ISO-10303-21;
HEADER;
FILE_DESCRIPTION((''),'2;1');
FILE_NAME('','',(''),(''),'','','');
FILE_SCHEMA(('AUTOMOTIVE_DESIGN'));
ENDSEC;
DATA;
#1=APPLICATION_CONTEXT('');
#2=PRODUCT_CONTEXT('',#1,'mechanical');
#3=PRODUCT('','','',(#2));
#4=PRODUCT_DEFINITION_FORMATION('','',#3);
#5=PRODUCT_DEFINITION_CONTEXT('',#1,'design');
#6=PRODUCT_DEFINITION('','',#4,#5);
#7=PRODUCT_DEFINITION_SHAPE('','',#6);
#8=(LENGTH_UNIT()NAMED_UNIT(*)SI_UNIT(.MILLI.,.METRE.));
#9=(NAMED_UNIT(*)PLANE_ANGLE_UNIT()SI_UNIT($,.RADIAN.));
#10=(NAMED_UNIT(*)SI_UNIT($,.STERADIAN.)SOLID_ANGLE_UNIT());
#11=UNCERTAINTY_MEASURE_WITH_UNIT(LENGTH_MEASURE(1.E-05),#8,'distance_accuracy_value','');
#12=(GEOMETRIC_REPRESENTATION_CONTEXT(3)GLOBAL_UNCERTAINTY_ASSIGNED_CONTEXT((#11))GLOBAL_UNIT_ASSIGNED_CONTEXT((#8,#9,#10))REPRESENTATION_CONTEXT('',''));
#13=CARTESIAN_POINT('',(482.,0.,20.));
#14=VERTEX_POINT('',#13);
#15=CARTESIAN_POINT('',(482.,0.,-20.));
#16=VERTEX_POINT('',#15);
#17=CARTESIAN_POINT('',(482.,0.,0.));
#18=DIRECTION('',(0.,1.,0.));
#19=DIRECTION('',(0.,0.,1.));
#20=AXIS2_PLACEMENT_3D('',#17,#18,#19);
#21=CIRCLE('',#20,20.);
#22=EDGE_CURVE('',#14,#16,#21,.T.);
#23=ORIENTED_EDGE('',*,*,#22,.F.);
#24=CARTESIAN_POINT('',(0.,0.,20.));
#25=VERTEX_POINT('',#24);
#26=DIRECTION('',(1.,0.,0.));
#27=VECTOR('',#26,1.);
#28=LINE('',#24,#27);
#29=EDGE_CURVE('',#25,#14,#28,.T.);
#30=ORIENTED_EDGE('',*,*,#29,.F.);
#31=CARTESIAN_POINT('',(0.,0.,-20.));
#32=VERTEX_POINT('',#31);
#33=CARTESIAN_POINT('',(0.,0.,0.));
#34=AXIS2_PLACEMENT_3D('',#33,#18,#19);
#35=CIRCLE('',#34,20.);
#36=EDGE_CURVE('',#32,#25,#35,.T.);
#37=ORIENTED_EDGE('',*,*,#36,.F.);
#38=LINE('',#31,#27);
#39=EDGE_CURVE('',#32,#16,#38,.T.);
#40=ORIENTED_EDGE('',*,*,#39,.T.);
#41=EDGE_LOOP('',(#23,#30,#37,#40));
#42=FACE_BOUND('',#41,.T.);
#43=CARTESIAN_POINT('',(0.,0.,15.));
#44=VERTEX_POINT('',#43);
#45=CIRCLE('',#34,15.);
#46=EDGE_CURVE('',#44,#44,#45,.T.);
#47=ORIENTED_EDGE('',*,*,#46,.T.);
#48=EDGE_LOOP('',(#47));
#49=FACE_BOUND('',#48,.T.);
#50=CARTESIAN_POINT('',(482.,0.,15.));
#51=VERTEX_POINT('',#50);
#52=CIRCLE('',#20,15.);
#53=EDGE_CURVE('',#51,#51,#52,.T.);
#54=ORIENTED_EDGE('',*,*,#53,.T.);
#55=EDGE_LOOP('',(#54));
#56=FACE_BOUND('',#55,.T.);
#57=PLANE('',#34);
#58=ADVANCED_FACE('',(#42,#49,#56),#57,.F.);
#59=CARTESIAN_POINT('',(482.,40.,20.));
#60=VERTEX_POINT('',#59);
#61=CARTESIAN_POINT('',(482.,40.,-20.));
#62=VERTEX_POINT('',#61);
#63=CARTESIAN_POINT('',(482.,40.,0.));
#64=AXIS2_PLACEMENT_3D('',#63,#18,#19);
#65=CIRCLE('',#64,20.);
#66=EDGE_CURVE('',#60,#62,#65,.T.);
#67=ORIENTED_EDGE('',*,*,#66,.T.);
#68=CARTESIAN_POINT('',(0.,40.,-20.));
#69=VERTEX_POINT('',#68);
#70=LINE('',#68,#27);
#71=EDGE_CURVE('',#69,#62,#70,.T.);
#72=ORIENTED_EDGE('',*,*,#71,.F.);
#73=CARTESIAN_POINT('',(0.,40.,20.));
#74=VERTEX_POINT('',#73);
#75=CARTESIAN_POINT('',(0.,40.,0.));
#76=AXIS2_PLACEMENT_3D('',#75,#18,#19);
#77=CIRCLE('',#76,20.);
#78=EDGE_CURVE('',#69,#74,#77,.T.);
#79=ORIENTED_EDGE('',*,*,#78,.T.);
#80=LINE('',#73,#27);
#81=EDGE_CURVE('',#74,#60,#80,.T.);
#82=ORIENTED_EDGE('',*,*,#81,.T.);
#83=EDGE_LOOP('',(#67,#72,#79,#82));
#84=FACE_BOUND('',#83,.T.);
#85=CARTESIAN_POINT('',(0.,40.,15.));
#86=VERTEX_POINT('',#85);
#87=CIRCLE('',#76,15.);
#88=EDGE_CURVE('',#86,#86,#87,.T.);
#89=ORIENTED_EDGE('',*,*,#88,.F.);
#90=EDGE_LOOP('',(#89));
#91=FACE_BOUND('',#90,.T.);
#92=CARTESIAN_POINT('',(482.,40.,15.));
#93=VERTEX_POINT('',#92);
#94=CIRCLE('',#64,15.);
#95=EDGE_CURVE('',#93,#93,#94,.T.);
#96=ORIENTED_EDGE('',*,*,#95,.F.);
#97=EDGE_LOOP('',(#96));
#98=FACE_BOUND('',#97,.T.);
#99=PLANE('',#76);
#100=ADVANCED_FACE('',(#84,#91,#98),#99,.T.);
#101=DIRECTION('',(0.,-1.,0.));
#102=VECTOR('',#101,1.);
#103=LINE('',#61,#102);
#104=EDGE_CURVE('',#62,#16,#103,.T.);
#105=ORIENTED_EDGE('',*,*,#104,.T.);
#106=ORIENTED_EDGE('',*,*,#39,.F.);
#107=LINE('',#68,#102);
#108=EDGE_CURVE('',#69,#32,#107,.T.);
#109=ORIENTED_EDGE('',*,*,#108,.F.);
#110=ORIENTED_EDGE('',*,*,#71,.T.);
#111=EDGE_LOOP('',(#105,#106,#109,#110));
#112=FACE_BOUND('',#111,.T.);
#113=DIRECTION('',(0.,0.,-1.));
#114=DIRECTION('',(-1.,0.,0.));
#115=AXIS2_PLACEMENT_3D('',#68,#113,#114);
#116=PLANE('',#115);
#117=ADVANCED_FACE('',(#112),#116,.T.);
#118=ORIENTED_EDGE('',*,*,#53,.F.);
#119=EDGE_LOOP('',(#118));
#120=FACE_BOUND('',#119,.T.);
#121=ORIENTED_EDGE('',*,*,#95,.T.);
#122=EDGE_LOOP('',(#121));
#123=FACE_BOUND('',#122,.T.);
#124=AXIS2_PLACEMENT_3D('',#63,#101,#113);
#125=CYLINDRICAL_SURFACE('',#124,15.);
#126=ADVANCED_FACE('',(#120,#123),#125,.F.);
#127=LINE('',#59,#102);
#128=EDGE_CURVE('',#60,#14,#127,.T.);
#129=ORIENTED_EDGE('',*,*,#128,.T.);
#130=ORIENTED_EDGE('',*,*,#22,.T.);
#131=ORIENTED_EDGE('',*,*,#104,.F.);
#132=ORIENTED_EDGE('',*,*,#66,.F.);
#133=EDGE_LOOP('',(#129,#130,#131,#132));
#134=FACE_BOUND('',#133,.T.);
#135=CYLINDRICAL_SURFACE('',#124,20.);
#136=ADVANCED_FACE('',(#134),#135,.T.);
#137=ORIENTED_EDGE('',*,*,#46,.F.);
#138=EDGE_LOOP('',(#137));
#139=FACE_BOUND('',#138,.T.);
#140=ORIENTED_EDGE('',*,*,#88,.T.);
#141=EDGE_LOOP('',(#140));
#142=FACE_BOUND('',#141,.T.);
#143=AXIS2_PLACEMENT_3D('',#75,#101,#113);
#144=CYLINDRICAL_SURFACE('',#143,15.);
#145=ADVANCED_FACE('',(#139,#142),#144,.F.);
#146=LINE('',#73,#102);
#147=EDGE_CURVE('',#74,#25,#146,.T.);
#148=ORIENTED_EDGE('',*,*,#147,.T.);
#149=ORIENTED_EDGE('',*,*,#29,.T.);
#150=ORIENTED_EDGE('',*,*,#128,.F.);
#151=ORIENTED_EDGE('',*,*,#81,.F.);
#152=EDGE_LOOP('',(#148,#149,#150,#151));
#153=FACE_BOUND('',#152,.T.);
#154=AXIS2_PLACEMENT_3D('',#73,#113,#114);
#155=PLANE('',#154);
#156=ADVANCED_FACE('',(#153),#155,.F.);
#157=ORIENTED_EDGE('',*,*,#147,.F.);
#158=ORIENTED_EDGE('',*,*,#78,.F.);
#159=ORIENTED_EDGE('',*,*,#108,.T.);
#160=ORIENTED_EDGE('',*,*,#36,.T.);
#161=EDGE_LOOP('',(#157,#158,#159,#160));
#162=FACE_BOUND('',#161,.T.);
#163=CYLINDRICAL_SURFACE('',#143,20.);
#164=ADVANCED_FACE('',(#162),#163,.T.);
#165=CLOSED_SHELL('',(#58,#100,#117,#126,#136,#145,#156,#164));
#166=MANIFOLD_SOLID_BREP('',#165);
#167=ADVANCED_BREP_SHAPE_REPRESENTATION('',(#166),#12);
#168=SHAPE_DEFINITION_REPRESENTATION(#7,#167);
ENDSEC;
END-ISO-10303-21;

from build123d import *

# Parameters (mm, degrees)
SKETCH_1_R      = 15
EXTRUDE_1_DEPTH = 40


with BuildPart() as part:
    # 草图1 → 凸台-拉伸1 (new body)
    with BuildSketch(Plane(origin=(0, 0, 0), x_dir=(1, 0, 0), z_dir=(0, 1, 0))):
        with BuildLine():
            Line((0, 20), (482, 20))
            ThreePointArc((482, 20), (502, 0), (482, -20))
            Line((482, -20), (0, -20))
            ThreePointArc((0, -20), (-20, 0), (0, 20))
        make_face()
        with Locations(Location((0, 0, 0), (0, 0, 270))):
            Circle(SKETCH_1_R, mode=Mode.SUBTRACT)
        with Locations(Location((482, 0, 0), (0, 0, 270))):
            Circle(SKETCH_1_R, mode=Mode.SUBTRACT)
    extrude(amount=EXTRUDE_1_DEPTH)


solid = part.part
